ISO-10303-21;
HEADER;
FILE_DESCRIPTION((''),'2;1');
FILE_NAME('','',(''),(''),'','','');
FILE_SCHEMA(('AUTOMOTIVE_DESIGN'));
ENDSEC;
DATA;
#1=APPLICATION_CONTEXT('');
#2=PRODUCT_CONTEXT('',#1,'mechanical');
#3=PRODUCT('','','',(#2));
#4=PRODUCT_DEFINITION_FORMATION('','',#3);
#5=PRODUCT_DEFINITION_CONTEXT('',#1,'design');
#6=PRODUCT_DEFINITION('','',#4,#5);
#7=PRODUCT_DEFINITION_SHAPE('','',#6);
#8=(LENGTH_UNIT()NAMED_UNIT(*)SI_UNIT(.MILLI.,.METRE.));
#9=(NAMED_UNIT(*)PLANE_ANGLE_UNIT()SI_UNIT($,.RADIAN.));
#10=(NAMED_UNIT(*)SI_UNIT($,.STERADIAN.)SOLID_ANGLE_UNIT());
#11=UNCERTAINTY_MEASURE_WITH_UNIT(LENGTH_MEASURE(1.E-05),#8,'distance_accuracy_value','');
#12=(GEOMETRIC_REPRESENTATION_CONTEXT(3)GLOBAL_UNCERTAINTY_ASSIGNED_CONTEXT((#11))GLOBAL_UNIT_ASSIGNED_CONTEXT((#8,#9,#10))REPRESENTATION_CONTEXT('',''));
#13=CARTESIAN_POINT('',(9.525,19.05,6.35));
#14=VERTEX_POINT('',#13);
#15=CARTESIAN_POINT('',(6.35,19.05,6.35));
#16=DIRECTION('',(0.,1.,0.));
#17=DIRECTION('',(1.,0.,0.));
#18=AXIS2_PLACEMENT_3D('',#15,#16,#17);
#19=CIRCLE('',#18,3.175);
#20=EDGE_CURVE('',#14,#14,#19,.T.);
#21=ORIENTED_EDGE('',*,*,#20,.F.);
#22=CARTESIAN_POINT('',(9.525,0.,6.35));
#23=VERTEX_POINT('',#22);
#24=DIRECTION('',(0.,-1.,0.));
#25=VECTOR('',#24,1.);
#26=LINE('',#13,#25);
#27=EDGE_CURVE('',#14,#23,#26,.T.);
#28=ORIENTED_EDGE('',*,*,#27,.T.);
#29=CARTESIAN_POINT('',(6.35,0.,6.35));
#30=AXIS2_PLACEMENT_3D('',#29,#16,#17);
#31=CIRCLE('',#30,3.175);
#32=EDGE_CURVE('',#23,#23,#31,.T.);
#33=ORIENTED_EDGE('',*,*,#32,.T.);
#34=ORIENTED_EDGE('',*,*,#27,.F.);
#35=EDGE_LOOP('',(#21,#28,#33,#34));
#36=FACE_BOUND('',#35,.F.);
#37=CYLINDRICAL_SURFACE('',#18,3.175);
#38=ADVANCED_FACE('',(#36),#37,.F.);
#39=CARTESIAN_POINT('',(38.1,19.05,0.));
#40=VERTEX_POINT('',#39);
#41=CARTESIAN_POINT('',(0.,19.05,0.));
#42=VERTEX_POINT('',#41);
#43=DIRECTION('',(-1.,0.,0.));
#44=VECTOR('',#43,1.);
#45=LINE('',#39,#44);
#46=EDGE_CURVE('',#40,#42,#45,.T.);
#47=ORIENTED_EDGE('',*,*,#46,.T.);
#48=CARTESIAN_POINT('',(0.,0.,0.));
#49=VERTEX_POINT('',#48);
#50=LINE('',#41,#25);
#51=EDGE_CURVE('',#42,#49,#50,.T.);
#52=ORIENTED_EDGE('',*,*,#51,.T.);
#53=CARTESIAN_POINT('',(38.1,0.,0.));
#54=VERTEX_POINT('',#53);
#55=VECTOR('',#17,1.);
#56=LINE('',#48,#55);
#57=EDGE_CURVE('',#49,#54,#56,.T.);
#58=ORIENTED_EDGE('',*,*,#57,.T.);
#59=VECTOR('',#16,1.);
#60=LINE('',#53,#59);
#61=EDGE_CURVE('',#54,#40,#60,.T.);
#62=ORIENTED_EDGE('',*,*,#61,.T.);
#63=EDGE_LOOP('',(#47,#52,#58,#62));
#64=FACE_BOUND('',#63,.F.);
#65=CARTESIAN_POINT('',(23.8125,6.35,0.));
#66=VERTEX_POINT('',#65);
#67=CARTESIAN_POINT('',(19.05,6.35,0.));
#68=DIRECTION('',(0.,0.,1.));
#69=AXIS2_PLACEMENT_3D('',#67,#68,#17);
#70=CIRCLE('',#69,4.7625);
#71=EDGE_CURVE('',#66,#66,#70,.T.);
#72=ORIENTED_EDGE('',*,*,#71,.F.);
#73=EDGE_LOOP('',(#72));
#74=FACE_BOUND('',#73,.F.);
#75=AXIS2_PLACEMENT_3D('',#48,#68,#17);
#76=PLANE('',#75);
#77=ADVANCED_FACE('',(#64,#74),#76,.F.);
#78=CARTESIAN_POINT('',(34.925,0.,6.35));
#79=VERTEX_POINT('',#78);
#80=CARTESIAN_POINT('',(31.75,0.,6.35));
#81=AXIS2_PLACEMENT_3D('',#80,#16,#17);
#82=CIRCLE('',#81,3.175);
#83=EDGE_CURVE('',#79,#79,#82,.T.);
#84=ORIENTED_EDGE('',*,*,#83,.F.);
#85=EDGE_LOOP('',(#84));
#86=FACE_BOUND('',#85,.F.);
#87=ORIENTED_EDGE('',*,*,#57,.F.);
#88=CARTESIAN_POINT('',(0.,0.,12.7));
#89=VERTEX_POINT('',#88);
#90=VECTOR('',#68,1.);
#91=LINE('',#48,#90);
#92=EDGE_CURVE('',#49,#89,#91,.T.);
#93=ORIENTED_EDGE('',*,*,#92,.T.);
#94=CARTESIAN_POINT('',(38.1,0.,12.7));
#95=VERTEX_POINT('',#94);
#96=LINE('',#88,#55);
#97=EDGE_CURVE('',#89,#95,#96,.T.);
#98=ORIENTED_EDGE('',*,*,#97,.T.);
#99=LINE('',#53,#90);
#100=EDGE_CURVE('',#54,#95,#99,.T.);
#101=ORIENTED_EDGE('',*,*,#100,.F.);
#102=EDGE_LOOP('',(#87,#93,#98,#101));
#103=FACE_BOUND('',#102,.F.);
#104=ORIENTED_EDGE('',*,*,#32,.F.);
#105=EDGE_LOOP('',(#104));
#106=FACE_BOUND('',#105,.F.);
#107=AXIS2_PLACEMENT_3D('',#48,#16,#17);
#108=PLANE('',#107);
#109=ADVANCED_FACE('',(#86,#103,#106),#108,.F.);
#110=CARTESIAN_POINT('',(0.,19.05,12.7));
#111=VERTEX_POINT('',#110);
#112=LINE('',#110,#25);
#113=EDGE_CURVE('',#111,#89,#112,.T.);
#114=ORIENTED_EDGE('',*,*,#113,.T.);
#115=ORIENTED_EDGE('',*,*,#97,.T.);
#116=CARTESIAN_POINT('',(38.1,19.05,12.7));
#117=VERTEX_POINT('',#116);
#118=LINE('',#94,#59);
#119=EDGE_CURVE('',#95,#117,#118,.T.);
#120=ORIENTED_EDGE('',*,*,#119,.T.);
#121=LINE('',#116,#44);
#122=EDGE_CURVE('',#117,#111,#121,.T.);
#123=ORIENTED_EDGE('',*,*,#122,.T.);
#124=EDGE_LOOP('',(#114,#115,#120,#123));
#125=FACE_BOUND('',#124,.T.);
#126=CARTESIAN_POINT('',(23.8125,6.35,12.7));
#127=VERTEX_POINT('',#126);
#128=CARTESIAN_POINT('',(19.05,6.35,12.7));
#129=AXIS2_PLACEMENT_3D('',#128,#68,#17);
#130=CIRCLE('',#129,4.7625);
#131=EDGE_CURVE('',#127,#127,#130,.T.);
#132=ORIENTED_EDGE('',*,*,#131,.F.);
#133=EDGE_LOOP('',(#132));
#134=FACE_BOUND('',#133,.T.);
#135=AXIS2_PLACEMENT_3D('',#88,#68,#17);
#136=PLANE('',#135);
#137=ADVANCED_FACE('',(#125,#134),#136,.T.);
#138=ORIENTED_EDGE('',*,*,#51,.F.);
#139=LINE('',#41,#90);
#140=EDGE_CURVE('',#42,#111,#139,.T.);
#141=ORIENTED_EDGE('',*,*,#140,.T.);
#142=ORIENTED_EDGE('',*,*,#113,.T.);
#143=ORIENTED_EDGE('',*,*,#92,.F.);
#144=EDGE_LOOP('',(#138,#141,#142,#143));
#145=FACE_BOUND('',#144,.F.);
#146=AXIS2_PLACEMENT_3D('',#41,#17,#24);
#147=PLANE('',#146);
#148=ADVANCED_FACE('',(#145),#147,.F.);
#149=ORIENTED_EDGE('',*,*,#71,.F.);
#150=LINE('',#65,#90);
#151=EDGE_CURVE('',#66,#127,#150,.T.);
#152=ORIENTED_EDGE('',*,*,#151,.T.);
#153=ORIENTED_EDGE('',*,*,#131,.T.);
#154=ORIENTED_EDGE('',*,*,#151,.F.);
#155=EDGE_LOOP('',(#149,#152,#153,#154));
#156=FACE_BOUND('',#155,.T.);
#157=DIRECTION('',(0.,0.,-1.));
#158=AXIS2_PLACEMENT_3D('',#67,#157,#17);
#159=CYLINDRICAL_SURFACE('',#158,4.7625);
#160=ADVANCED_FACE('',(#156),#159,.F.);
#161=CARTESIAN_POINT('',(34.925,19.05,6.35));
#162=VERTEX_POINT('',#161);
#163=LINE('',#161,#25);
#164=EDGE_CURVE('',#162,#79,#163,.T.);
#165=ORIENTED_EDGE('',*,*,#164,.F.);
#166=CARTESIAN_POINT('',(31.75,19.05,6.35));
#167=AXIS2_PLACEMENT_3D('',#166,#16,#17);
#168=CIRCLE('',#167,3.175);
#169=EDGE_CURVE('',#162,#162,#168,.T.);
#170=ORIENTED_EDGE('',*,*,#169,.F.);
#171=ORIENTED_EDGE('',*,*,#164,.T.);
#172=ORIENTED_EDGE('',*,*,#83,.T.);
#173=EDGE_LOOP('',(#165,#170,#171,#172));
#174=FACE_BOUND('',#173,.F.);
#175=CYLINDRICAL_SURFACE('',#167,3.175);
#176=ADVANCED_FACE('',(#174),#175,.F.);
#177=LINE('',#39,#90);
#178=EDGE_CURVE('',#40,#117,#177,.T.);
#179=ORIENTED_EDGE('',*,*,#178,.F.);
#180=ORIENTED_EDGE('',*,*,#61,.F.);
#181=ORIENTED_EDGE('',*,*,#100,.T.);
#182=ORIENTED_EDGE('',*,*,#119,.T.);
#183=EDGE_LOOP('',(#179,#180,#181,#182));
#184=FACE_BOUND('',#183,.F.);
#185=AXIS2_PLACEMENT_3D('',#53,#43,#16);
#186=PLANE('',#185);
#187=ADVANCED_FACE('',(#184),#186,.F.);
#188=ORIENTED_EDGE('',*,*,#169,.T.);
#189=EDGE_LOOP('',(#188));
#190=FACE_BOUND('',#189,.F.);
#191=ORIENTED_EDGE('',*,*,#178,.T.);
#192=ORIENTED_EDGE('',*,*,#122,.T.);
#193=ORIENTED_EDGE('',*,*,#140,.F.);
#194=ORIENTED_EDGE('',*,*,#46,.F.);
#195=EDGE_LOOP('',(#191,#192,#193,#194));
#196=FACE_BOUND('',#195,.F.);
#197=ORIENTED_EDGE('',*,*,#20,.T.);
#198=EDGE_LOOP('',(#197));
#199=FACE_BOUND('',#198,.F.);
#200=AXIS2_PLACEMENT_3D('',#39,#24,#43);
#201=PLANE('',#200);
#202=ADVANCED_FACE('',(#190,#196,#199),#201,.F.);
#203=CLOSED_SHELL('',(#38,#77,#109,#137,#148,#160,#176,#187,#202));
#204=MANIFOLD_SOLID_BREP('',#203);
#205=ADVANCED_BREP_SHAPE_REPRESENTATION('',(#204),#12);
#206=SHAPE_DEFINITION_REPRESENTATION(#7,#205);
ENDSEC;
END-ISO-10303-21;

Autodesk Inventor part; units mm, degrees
ref_plane "YZ Plane" through (0, 0, 0) normal (1, 0, 0) x (0, 1, 0)
ref_plane "XZ Plane" through (0, 0, 0) normal (0, 1, 0) x (-1, 0, 0)
ref_plane "XY Plane" through (0, 0, 0) normal (0, 0, 1) x (1, 0, 0)
sketch "Sketch1" plane through (0, 0, 0) normal (0, 0, 1) x (1, 0, 0)
  line L0 (0, 0) -> (38.1, 0)
  line L1 (38.1, 0) -> (38.1, 19.05)
  line L2 (38.1, 19.05) -> (0, 19.05)
  line L3 (0, 19.05) -> (0, 0)
  circle A0 centre (19.05, 6.35) radius 4.7625
  point P0 (0, 9.525)
  point P1 (19.05, 19.05)
  dimension "d0" = 19.05
  dimension "d1" = 38.1
  dimension "d2" = 9.525
  dimension "d5" = 6.35
extrude "Extrusion1" add sketch "Sketch1" along normal blind 12.7
sketch "Sketch2" plane through (0, 19.05, 0) normal (0, 1, 0) x (1, 0, 0)
  line L0 (38.1, 0) -> (38.1, -12.7) projected
  line L1 (0, 0) -> (0, -12.7) projected
  circle A0 centre (6.35, -6.35) radius 3.175
  circle A1 centre (31.75, -6.35) radius 3.175
  point P0 (0, -6.35)
  dimension "d6" = 6.35
  dimension "d7" = 6.35
  dimension "d8" = 6.35
  dimension "d9" = 6.35
extrude "Extrusion2" cut sketch "Sketch2" against normal through all
equation "\"d7\" = d6"
properties part number "8 ball arch mount"
